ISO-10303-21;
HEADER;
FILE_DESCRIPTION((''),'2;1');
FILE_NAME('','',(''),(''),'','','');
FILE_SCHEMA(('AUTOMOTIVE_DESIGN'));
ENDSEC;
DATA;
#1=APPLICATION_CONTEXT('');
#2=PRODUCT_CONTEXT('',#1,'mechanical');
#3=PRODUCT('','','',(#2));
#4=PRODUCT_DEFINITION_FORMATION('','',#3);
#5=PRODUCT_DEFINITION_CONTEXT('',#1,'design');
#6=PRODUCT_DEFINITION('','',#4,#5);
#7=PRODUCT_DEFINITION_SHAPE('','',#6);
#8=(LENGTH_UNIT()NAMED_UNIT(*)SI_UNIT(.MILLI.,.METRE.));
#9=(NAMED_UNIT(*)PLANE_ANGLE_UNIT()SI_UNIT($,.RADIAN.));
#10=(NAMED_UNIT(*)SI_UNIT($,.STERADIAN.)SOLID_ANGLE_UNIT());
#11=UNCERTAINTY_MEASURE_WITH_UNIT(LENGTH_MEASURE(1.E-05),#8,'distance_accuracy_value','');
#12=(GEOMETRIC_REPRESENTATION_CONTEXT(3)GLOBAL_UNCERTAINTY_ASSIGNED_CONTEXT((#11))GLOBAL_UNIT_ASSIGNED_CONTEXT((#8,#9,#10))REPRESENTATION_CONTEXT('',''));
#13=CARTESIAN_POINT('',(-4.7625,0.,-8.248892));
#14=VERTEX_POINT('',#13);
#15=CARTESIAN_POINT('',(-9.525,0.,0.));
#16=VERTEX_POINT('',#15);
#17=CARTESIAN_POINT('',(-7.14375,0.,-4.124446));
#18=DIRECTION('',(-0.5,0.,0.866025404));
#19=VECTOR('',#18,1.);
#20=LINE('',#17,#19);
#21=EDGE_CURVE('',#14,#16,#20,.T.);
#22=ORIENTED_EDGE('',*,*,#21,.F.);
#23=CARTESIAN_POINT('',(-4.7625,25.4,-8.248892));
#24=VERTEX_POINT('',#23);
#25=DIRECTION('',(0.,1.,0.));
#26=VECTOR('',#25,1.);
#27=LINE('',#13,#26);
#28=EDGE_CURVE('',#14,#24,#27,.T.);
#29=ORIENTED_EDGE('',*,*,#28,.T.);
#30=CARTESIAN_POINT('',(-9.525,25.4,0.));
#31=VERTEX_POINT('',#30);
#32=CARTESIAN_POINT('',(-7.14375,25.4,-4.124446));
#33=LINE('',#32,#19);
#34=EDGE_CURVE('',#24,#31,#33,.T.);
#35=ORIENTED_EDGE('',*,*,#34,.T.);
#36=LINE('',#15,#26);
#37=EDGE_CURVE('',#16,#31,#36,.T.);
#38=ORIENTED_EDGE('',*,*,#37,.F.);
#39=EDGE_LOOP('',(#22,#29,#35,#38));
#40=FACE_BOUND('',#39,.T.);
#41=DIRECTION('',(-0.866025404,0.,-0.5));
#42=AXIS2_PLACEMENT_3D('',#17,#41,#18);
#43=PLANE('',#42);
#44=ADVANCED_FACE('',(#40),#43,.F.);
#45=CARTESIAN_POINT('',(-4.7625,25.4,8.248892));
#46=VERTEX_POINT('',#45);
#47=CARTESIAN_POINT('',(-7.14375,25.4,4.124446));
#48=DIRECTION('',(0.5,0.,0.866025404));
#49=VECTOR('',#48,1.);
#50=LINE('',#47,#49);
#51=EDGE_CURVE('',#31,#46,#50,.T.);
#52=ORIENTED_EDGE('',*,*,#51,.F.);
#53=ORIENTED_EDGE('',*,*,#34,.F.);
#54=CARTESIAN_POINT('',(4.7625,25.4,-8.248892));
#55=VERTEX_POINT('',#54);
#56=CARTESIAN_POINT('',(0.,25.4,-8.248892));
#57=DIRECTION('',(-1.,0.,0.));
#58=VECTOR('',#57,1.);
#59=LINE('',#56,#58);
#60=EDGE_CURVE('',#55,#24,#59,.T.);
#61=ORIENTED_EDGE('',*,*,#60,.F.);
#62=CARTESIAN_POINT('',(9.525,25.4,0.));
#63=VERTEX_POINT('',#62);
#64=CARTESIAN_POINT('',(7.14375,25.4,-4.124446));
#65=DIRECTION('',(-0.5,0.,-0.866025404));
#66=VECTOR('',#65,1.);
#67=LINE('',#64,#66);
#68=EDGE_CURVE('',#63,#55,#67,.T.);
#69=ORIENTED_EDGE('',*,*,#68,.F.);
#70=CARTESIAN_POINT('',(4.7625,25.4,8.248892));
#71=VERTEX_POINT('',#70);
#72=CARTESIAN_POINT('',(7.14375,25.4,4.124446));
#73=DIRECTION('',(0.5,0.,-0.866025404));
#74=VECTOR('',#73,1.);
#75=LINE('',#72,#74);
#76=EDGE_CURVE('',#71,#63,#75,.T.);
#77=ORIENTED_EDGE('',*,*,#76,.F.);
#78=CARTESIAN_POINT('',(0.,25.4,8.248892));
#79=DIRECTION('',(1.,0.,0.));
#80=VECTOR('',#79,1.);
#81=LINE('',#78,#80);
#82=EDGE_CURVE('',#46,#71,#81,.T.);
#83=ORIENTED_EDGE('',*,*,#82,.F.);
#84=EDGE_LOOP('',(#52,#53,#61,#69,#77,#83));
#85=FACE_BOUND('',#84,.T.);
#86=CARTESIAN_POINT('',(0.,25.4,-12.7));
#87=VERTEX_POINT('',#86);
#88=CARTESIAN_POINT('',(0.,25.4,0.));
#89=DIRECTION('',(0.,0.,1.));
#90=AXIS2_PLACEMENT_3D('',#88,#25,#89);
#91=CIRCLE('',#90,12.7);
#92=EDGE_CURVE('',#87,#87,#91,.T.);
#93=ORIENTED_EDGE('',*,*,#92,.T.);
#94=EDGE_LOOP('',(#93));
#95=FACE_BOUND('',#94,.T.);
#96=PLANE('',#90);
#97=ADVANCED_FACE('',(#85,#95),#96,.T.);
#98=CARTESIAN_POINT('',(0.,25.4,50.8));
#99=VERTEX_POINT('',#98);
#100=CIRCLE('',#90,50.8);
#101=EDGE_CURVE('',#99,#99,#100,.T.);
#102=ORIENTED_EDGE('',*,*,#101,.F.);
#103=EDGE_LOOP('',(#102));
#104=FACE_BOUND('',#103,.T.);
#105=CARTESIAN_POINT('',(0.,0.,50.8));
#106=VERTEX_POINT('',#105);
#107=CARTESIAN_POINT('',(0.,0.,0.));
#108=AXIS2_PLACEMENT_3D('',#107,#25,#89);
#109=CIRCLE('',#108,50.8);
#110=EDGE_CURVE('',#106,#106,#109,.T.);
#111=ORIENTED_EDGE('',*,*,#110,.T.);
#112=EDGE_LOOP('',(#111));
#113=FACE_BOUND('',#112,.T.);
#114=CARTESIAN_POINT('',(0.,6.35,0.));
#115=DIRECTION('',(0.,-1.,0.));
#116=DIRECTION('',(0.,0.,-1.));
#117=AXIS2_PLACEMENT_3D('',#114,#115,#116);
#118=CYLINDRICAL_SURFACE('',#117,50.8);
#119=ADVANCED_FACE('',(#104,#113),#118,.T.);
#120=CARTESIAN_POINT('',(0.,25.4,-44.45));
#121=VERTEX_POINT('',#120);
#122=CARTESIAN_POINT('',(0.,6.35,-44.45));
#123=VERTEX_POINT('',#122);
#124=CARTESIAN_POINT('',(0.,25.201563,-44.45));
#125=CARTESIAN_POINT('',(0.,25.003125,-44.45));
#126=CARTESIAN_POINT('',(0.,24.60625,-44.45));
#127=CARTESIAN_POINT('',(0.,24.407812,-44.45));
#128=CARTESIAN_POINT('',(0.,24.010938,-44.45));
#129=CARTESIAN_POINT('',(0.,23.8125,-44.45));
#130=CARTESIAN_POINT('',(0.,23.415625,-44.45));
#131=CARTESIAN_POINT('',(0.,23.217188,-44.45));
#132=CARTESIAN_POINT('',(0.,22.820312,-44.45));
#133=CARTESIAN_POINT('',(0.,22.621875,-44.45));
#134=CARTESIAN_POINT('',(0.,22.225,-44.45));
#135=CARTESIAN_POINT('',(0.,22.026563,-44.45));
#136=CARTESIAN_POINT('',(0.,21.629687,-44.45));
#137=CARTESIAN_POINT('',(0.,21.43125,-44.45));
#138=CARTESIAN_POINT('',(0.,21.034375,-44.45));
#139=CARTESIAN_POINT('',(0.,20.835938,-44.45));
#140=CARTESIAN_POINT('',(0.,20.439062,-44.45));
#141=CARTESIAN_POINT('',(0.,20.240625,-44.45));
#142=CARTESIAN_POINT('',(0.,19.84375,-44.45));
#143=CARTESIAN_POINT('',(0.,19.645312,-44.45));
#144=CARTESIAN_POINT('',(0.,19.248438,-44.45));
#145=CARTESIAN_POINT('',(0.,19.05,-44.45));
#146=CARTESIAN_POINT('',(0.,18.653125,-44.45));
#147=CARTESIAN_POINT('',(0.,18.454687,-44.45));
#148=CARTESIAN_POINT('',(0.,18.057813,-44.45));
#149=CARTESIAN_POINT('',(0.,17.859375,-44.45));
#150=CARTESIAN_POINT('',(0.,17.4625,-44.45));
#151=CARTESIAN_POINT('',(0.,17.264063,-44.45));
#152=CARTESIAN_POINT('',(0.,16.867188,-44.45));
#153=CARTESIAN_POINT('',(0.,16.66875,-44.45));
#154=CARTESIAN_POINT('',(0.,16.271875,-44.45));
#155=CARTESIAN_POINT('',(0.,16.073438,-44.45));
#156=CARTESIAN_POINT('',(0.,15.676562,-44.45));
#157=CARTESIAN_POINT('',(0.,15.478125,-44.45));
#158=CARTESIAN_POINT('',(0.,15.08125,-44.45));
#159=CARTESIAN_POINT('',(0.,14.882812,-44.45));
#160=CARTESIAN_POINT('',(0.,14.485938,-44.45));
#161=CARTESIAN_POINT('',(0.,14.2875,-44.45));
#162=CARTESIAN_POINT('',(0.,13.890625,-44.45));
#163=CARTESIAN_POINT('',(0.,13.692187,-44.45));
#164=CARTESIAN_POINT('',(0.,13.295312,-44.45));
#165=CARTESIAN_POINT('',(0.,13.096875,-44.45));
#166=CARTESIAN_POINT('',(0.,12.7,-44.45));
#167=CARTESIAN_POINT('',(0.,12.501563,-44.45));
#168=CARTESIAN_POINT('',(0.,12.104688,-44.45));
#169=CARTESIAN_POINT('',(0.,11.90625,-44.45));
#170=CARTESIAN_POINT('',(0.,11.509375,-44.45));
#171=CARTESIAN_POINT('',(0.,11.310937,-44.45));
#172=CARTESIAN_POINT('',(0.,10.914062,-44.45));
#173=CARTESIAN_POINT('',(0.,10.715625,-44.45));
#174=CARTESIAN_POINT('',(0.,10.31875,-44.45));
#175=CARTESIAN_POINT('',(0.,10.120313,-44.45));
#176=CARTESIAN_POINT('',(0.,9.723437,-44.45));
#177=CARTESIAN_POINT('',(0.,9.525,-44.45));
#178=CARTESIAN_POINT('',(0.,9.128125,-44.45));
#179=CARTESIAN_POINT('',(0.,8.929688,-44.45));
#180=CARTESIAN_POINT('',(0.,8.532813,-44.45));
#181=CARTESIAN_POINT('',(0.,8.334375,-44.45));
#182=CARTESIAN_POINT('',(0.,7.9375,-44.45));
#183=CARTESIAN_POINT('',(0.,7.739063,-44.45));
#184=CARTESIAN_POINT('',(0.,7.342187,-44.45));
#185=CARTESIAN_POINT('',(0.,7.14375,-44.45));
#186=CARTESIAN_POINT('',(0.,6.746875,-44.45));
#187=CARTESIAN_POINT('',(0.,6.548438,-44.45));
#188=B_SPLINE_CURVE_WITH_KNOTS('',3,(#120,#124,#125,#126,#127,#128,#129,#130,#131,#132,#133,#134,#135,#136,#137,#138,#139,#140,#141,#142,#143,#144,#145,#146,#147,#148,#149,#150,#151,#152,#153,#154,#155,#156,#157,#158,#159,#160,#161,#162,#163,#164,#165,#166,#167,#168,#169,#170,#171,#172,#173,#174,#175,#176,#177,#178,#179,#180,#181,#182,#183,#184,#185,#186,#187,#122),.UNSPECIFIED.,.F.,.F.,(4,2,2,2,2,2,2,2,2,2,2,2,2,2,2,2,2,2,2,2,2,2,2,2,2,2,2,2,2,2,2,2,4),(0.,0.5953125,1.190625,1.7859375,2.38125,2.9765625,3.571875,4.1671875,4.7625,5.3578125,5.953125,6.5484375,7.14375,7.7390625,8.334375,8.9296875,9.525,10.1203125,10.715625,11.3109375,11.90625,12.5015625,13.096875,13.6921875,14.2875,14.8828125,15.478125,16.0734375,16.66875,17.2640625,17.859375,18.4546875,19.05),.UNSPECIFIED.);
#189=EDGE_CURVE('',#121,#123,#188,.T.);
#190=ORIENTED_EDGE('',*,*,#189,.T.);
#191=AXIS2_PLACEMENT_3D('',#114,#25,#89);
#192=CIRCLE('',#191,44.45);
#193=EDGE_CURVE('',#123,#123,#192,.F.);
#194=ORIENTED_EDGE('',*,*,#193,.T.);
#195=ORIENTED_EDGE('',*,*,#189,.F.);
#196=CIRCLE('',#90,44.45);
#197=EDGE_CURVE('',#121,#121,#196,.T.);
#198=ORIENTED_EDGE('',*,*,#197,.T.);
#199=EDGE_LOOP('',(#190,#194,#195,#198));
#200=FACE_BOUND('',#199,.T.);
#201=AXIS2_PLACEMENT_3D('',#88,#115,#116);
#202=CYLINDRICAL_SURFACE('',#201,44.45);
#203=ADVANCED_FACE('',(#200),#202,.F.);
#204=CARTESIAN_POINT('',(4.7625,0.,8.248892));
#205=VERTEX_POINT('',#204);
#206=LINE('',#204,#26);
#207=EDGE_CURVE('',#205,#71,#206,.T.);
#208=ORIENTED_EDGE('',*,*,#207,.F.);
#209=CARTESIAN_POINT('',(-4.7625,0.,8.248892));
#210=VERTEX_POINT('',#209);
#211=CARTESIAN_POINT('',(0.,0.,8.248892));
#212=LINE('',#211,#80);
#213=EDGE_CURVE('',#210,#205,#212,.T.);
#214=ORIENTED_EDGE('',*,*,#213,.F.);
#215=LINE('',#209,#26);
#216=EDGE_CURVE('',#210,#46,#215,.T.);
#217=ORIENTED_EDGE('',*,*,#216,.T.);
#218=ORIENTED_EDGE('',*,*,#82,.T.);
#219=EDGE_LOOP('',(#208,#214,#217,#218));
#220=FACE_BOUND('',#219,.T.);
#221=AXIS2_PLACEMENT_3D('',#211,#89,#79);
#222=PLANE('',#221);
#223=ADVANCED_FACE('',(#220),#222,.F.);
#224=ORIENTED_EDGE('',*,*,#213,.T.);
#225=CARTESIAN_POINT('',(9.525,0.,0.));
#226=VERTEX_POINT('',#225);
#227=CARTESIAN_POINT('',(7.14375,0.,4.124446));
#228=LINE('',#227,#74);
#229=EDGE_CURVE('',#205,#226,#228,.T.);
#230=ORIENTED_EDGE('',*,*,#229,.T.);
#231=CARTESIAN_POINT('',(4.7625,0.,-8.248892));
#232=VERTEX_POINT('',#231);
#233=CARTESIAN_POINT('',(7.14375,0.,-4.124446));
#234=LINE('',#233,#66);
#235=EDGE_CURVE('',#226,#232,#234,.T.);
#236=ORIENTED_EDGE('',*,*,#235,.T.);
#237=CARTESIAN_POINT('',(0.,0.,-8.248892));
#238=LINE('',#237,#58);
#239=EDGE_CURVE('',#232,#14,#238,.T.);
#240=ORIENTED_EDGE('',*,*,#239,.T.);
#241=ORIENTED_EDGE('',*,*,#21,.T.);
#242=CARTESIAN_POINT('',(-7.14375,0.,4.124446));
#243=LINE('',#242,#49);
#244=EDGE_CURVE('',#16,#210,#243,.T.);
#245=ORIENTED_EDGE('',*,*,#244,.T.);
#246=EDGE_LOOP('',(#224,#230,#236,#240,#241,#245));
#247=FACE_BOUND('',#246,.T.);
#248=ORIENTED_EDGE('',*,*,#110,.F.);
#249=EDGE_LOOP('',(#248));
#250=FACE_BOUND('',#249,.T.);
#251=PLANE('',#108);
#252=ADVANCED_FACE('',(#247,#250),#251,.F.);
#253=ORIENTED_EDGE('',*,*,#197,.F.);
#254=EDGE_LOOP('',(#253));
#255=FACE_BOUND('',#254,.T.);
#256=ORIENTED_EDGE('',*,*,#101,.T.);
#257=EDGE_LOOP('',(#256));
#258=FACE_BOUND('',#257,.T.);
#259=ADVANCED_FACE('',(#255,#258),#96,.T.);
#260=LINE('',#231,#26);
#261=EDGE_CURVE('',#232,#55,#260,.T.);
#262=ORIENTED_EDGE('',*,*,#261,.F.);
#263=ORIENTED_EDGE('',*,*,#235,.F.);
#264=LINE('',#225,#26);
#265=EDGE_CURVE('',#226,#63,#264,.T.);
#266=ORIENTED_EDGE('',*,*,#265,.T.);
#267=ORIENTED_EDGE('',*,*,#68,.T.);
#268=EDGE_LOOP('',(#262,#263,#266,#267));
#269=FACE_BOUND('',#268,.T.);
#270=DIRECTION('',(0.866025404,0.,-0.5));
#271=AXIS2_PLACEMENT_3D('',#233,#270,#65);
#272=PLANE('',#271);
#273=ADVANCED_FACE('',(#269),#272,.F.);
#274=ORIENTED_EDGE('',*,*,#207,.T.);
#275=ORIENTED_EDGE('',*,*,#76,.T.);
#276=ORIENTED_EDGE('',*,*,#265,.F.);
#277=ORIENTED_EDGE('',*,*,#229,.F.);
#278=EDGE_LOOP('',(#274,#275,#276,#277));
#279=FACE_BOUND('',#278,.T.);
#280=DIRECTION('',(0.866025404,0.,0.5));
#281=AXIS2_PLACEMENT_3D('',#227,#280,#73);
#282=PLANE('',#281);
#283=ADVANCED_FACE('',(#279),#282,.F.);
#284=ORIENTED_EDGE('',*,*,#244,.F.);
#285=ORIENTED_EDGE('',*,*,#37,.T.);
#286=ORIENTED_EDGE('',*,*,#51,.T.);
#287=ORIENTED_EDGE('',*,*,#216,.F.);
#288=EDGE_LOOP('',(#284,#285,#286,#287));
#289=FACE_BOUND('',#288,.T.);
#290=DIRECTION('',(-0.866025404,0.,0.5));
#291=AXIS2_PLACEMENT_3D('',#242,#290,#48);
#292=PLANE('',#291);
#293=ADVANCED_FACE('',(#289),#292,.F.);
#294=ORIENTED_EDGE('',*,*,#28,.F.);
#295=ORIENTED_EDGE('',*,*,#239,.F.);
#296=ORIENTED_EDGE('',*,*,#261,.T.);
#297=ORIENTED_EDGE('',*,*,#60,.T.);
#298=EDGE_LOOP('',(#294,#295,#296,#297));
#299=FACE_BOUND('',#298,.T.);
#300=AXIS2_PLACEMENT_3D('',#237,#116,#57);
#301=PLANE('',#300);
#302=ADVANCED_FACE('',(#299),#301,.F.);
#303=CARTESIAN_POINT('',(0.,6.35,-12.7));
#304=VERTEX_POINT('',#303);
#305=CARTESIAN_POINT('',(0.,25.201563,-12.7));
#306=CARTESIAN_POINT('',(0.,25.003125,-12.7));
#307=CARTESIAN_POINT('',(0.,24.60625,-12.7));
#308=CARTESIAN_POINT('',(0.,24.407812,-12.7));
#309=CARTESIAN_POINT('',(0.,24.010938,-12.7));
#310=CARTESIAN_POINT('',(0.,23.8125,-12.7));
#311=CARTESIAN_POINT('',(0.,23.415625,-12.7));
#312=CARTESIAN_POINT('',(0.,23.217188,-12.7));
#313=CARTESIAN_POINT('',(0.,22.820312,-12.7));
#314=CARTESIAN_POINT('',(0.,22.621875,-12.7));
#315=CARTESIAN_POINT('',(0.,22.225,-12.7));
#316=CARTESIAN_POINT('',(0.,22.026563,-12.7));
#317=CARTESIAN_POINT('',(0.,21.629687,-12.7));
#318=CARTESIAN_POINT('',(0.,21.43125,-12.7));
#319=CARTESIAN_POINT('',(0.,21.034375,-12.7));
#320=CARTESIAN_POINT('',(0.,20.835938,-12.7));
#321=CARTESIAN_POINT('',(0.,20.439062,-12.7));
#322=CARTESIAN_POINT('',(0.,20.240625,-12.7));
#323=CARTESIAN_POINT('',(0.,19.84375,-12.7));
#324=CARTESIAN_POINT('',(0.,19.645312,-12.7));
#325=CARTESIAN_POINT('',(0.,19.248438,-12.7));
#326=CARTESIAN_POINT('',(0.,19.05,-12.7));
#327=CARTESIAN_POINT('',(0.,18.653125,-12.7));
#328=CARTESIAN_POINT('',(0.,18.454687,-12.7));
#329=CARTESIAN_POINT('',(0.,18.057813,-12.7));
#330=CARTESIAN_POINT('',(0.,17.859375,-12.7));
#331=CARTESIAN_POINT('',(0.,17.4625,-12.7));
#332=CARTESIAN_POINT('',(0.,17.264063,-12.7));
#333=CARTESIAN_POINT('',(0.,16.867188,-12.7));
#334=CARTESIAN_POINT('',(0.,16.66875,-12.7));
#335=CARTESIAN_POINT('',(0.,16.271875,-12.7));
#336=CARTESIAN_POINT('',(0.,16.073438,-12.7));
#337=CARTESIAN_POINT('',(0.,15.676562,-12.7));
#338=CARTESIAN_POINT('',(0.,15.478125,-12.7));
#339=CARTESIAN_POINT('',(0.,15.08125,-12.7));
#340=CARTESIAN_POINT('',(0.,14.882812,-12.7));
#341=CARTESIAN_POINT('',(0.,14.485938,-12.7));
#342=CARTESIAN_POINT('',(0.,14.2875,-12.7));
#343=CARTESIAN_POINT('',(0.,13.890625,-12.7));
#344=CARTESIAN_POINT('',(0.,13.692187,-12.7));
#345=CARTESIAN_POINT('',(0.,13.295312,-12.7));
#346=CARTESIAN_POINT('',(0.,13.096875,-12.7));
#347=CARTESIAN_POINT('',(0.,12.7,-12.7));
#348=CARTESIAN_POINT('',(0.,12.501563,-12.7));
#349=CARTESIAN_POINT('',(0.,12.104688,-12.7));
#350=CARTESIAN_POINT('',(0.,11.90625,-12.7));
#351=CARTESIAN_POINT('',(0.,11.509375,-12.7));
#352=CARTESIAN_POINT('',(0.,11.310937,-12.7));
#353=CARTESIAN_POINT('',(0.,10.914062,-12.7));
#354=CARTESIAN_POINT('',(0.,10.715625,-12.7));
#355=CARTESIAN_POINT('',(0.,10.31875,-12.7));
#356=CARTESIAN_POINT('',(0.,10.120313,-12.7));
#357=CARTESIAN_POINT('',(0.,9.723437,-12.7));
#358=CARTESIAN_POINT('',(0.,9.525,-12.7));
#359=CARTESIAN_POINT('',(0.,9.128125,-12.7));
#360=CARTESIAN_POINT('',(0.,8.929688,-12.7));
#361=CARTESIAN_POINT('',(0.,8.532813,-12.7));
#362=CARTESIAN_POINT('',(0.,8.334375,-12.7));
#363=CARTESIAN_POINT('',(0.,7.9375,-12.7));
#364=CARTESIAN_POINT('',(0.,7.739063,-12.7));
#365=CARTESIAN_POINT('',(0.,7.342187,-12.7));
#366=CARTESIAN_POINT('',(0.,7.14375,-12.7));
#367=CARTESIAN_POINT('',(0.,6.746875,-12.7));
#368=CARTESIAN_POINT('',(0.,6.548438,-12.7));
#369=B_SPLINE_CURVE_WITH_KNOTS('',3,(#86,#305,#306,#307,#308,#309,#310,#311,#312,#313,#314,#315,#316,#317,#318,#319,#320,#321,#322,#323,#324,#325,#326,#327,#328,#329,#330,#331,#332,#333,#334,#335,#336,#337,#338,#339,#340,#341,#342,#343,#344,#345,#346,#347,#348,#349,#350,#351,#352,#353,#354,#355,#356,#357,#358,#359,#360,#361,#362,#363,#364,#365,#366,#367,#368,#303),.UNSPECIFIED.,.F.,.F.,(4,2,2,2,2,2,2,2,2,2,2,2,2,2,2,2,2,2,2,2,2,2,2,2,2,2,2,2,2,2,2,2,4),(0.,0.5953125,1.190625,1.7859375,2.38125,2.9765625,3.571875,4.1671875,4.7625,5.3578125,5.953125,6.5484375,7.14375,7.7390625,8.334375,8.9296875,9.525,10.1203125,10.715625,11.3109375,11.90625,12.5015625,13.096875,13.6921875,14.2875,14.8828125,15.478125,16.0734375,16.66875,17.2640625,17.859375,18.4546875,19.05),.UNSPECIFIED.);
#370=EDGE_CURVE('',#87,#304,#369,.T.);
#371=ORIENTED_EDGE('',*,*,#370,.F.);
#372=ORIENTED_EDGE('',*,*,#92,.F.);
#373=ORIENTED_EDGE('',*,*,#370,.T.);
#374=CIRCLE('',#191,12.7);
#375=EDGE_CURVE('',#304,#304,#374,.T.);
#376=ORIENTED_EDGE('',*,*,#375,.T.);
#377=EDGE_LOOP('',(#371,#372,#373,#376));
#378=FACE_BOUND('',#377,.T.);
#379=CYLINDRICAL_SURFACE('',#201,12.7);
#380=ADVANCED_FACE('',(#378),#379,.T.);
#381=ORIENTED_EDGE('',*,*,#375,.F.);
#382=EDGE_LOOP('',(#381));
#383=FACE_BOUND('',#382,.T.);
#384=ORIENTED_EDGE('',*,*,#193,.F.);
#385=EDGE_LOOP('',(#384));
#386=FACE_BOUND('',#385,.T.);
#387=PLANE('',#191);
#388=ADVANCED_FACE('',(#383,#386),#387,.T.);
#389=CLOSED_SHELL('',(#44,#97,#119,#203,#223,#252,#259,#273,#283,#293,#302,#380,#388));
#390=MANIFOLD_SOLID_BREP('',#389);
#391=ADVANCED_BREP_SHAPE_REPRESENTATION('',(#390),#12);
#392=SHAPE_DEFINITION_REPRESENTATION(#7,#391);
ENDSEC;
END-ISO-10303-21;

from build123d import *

# Parameters (mm, degrees)
SKETCH1_R           = 50.8
BOSS_EXTRUDE1_DEPTH = 6.35
SKETCH4_R           = 50.8
SKETCH4_R_2         = 44.45
BOSS_EXTRUDE2_DEPTH = 19.05
BOSS_EXTRUDE3_DEPTH = 19.05
CUT_EXTRUDE1_DEPTH  = 25.4


with BuildPart() as part:
    # Sketch1 → Boss-Extrude1 (new body)
    with BuildSketch(Plane(origin=(0, 0, 0), x_dir=(1, 0, 0), z_dir=(0, 1, 0))):
        Circle(SKETCH1_R)
    extrude(amount=BOSS_EXTRUDE1_DEPTH)

    # Sketch4 → Boss-Extrude2 (add)
    with BuildSketch(Plane(origin=(0, 6.35, 0), x_dir=(1, 0, 0), z_dir=(0, 1, 0))):
        Circle(SKETCH4_R)
        Circle(SKETCH4_R_2, mode=Mode.SUBTRACT)
    extrude(amount=BOSS_EXTRUDE2_DEPTH)

    # Sketch5 → Boss-Extrude3 (add)
    with BuildSketch(Plane(origin=(0, 6.35, 0), x_dir=(1, 0, 0), z_dir=(0, 1, 0))):
        with BuildLine():
            ThreePointArc((8.516460164, -9.421247597), (11.607089301, -5.154170929), (12.7, 0))
            ThreePointArc((12.7, 0), (-11.607089301, 5.154170929), (8.516460164, -9.421247597))
        make_face()
    extrude(amount=BOSS_EXTRUDE3_DEPTH)

    # Sketch6 → Cut-Extrude1 (cut)
    with BuildSketch(Plane(origin=(0, 25.4, 0), x_dir=(1, 0, 0), z_dir=(0, 1, 0))):
        Polygon((4.7625, -8.248891971), (9.525, 0), (4.7625, 8.248891971), (-4.7625, 8.248891971), (-9.525, 0), (-4.7625, -8.248891971), align=None)
    extrude(amount=-CUT_EXTRUDE1_DEPTH, mode=Mode.SUBTRACT)


solid = part.part
